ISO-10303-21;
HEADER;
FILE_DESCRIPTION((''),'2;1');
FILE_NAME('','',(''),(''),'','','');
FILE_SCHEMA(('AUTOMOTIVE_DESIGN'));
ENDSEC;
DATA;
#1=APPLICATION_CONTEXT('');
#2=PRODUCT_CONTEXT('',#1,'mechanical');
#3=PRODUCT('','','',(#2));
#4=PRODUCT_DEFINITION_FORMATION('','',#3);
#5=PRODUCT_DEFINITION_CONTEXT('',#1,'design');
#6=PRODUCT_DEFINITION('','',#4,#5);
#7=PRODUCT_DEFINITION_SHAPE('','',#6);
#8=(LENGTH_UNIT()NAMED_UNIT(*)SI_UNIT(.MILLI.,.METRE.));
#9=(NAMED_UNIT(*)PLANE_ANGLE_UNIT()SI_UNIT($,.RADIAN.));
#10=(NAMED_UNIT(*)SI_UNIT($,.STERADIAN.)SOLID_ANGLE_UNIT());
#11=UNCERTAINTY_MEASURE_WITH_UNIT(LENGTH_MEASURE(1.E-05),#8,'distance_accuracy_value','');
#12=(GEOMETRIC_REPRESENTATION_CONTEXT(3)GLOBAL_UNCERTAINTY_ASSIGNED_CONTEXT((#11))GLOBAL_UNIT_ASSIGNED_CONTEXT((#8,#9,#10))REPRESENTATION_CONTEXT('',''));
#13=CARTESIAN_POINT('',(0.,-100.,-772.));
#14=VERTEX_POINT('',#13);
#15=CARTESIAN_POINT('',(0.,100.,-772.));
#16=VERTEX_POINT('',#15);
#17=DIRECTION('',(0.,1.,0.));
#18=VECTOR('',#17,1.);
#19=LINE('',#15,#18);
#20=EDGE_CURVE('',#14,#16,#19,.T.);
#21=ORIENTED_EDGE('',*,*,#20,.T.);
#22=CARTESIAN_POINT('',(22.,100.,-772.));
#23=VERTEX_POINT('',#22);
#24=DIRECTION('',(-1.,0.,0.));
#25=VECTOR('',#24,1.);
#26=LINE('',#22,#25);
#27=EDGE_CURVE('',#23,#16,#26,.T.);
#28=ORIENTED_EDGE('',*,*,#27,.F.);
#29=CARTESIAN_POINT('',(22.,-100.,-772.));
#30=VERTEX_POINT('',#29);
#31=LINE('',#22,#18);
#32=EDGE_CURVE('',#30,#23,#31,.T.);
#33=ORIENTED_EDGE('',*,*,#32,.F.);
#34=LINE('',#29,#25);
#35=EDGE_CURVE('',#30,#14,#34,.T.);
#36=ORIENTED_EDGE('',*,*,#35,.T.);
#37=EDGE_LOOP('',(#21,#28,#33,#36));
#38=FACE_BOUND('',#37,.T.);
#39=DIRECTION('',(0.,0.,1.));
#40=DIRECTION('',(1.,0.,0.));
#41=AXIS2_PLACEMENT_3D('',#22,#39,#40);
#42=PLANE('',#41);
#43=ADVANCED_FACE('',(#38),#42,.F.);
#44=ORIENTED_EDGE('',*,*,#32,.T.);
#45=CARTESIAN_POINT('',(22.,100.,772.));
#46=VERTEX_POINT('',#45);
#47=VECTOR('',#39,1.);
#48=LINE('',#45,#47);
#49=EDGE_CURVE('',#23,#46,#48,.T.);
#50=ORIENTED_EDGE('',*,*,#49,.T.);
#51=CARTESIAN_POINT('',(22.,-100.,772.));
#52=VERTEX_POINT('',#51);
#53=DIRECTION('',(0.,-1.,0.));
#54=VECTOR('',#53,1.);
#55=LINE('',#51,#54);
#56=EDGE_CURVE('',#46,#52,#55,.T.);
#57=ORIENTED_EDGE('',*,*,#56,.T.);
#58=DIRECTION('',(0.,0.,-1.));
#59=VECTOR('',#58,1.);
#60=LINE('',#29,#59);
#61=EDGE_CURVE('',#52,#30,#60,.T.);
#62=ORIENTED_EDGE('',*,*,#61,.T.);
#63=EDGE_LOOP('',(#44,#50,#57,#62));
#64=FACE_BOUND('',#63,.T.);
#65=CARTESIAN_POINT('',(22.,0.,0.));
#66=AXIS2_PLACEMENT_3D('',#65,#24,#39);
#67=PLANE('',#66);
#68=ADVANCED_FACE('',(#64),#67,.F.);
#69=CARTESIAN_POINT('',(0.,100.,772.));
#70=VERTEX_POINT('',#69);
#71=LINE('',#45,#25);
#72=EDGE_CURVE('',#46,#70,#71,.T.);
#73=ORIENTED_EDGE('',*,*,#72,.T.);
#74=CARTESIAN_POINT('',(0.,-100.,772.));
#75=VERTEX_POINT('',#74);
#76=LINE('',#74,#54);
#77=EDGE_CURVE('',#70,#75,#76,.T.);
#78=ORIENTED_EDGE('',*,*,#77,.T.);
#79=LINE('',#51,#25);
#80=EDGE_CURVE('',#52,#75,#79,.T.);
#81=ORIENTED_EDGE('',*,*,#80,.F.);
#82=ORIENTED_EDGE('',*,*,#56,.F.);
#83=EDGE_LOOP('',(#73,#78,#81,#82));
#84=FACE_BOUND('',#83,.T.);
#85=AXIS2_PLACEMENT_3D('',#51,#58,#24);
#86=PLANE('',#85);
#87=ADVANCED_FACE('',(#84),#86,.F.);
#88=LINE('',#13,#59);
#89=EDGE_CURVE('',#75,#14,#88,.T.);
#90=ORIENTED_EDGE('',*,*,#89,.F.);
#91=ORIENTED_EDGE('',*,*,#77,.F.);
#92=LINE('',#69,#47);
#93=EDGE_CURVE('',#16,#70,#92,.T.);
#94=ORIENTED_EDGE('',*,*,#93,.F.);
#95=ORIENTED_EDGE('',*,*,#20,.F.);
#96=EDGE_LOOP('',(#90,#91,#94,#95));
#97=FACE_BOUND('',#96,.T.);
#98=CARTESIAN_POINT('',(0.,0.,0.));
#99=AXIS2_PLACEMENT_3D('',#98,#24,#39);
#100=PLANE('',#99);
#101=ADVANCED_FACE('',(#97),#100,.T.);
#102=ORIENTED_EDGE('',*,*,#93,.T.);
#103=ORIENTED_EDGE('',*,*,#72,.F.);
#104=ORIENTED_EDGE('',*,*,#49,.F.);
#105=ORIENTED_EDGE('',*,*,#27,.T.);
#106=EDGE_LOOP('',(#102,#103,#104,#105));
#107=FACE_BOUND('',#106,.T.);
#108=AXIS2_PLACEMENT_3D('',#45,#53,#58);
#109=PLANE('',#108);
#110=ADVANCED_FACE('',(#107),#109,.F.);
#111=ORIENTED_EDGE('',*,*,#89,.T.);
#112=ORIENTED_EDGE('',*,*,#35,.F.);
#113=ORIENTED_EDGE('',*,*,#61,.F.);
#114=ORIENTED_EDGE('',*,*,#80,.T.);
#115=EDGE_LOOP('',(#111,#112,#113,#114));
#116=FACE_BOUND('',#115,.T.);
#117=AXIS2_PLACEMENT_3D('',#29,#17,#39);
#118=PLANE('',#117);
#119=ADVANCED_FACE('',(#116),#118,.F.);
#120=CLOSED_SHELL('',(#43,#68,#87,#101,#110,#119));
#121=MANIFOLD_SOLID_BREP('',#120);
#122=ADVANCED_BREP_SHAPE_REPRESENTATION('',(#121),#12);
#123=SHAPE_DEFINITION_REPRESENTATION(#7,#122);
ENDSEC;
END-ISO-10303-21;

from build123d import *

# Parameters (mm, degrees)
SKETCH1_W        = 200
SKETCH1_H        = 1544
EXTRUSION1_DEPTH = 22


with BuildPart() as part:
    # Sketch1 → Extrusion1 (new body)
    with BuildSketch(Plane.YZ):
        Rectangle(SKETCH1_W, SKETCH1_H)
    extrude(amount=EXTRUSION1_DEPTH)


solid = part.part
